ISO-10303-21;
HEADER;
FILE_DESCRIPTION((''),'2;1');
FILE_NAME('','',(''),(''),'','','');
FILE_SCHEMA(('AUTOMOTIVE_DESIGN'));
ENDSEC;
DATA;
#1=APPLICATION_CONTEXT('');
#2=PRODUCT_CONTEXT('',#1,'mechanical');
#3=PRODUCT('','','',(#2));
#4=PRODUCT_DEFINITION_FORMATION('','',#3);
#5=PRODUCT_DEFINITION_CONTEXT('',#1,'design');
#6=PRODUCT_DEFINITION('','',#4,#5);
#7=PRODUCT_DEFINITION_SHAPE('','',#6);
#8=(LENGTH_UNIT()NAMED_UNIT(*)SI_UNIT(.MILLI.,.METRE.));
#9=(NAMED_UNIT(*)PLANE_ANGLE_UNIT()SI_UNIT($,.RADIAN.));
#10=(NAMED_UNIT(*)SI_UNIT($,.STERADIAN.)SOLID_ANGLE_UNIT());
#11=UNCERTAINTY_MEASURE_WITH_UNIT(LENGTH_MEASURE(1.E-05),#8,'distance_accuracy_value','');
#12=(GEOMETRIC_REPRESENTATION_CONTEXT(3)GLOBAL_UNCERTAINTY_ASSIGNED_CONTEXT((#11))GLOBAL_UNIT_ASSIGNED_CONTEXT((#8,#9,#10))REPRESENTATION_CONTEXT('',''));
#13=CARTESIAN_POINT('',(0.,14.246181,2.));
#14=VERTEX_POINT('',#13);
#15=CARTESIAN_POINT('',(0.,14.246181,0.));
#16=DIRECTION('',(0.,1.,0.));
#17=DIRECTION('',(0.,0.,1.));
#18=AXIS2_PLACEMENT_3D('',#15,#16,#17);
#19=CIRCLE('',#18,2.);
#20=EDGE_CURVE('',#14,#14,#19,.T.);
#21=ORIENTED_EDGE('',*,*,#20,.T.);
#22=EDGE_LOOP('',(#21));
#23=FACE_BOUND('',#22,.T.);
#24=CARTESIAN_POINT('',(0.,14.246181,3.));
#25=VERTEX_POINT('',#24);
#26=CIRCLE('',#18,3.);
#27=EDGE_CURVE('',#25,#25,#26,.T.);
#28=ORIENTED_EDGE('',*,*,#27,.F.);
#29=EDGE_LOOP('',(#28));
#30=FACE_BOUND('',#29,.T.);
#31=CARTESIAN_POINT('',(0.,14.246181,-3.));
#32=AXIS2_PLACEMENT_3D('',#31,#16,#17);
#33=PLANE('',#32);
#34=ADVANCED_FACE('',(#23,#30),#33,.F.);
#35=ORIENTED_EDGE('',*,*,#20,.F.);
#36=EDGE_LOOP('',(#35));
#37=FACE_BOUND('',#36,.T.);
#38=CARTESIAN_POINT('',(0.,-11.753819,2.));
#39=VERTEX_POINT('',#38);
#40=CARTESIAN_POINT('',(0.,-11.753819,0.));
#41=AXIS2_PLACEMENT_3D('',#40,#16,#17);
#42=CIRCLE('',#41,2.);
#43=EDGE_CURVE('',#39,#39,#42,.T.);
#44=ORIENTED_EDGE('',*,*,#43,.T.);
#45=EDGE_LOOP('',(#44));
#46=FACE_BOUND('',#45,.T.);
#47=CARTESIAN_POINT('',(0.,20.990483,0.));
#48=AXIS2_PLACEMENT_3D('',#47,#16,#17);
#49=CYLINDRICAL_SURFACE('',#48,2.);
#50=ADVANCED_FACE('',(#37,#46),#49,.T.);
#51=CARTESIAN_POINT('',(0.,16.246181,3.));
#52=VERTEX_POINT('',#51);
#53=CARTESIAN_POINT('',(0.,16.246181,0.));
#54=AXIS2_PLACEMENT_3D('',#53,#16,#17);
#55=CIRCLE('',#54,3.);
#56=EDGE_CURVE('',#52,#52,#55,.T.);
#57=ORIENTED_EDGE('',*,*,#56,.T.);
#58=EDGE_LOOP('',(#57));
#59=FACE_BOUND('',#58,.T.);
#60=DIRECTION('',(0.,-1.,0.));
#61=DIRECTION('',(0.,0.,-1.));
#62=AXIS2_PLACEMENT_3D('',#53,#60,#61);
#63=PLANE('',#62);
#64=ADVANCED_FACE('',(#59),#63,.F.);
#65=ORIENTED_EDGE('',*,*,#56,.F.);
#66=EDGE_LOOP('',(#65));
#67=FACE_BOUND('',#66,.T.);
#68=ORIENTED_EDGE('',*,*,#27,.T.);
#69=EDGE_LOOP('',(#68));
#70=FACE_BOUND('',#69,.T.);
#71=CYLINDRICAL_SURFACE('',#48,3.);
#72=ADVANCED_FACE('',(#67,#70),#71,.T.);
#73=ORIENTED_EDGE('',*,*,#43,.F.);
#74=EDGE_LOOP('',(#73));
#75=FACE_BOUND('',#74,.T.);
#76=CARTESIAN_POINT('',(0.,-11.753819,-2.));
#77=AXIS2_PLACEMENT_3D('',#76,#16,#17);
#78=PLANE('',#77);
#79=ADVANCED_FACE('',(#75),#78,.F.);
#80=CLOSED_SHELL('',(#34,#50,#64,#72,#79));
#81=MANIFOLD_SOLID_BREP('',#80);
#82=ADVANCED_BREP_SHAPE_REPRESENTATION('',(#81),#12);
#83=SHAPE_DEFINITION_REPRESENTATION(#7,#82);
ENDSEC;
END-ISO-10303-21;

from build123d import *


with BuildPart() as part:
    # 스케치1 → 회전1 (revolve)
    with BuildSketch(Plane(origin=(0, 0, 0), x_dir=(0, 0, -1), z_dir=(1, 0, 0)), mode=Mode.PRIVATE) as revolve_1_sk:
        Polygon((0, 16.246180973), (3, 16.246180973), (3, 14.246180973), (2, 14.246180973), (2, -11.753819027), (0, -11.753819027), align=None)
    revolve(revolve_1_sk.sketch.rotate(Axis((0, 20.990482646, 0), (0, -1, 0)), 180), axis=Axis((0, 20.990482646, 0), (0, -1, 0)))


solid = part.part
